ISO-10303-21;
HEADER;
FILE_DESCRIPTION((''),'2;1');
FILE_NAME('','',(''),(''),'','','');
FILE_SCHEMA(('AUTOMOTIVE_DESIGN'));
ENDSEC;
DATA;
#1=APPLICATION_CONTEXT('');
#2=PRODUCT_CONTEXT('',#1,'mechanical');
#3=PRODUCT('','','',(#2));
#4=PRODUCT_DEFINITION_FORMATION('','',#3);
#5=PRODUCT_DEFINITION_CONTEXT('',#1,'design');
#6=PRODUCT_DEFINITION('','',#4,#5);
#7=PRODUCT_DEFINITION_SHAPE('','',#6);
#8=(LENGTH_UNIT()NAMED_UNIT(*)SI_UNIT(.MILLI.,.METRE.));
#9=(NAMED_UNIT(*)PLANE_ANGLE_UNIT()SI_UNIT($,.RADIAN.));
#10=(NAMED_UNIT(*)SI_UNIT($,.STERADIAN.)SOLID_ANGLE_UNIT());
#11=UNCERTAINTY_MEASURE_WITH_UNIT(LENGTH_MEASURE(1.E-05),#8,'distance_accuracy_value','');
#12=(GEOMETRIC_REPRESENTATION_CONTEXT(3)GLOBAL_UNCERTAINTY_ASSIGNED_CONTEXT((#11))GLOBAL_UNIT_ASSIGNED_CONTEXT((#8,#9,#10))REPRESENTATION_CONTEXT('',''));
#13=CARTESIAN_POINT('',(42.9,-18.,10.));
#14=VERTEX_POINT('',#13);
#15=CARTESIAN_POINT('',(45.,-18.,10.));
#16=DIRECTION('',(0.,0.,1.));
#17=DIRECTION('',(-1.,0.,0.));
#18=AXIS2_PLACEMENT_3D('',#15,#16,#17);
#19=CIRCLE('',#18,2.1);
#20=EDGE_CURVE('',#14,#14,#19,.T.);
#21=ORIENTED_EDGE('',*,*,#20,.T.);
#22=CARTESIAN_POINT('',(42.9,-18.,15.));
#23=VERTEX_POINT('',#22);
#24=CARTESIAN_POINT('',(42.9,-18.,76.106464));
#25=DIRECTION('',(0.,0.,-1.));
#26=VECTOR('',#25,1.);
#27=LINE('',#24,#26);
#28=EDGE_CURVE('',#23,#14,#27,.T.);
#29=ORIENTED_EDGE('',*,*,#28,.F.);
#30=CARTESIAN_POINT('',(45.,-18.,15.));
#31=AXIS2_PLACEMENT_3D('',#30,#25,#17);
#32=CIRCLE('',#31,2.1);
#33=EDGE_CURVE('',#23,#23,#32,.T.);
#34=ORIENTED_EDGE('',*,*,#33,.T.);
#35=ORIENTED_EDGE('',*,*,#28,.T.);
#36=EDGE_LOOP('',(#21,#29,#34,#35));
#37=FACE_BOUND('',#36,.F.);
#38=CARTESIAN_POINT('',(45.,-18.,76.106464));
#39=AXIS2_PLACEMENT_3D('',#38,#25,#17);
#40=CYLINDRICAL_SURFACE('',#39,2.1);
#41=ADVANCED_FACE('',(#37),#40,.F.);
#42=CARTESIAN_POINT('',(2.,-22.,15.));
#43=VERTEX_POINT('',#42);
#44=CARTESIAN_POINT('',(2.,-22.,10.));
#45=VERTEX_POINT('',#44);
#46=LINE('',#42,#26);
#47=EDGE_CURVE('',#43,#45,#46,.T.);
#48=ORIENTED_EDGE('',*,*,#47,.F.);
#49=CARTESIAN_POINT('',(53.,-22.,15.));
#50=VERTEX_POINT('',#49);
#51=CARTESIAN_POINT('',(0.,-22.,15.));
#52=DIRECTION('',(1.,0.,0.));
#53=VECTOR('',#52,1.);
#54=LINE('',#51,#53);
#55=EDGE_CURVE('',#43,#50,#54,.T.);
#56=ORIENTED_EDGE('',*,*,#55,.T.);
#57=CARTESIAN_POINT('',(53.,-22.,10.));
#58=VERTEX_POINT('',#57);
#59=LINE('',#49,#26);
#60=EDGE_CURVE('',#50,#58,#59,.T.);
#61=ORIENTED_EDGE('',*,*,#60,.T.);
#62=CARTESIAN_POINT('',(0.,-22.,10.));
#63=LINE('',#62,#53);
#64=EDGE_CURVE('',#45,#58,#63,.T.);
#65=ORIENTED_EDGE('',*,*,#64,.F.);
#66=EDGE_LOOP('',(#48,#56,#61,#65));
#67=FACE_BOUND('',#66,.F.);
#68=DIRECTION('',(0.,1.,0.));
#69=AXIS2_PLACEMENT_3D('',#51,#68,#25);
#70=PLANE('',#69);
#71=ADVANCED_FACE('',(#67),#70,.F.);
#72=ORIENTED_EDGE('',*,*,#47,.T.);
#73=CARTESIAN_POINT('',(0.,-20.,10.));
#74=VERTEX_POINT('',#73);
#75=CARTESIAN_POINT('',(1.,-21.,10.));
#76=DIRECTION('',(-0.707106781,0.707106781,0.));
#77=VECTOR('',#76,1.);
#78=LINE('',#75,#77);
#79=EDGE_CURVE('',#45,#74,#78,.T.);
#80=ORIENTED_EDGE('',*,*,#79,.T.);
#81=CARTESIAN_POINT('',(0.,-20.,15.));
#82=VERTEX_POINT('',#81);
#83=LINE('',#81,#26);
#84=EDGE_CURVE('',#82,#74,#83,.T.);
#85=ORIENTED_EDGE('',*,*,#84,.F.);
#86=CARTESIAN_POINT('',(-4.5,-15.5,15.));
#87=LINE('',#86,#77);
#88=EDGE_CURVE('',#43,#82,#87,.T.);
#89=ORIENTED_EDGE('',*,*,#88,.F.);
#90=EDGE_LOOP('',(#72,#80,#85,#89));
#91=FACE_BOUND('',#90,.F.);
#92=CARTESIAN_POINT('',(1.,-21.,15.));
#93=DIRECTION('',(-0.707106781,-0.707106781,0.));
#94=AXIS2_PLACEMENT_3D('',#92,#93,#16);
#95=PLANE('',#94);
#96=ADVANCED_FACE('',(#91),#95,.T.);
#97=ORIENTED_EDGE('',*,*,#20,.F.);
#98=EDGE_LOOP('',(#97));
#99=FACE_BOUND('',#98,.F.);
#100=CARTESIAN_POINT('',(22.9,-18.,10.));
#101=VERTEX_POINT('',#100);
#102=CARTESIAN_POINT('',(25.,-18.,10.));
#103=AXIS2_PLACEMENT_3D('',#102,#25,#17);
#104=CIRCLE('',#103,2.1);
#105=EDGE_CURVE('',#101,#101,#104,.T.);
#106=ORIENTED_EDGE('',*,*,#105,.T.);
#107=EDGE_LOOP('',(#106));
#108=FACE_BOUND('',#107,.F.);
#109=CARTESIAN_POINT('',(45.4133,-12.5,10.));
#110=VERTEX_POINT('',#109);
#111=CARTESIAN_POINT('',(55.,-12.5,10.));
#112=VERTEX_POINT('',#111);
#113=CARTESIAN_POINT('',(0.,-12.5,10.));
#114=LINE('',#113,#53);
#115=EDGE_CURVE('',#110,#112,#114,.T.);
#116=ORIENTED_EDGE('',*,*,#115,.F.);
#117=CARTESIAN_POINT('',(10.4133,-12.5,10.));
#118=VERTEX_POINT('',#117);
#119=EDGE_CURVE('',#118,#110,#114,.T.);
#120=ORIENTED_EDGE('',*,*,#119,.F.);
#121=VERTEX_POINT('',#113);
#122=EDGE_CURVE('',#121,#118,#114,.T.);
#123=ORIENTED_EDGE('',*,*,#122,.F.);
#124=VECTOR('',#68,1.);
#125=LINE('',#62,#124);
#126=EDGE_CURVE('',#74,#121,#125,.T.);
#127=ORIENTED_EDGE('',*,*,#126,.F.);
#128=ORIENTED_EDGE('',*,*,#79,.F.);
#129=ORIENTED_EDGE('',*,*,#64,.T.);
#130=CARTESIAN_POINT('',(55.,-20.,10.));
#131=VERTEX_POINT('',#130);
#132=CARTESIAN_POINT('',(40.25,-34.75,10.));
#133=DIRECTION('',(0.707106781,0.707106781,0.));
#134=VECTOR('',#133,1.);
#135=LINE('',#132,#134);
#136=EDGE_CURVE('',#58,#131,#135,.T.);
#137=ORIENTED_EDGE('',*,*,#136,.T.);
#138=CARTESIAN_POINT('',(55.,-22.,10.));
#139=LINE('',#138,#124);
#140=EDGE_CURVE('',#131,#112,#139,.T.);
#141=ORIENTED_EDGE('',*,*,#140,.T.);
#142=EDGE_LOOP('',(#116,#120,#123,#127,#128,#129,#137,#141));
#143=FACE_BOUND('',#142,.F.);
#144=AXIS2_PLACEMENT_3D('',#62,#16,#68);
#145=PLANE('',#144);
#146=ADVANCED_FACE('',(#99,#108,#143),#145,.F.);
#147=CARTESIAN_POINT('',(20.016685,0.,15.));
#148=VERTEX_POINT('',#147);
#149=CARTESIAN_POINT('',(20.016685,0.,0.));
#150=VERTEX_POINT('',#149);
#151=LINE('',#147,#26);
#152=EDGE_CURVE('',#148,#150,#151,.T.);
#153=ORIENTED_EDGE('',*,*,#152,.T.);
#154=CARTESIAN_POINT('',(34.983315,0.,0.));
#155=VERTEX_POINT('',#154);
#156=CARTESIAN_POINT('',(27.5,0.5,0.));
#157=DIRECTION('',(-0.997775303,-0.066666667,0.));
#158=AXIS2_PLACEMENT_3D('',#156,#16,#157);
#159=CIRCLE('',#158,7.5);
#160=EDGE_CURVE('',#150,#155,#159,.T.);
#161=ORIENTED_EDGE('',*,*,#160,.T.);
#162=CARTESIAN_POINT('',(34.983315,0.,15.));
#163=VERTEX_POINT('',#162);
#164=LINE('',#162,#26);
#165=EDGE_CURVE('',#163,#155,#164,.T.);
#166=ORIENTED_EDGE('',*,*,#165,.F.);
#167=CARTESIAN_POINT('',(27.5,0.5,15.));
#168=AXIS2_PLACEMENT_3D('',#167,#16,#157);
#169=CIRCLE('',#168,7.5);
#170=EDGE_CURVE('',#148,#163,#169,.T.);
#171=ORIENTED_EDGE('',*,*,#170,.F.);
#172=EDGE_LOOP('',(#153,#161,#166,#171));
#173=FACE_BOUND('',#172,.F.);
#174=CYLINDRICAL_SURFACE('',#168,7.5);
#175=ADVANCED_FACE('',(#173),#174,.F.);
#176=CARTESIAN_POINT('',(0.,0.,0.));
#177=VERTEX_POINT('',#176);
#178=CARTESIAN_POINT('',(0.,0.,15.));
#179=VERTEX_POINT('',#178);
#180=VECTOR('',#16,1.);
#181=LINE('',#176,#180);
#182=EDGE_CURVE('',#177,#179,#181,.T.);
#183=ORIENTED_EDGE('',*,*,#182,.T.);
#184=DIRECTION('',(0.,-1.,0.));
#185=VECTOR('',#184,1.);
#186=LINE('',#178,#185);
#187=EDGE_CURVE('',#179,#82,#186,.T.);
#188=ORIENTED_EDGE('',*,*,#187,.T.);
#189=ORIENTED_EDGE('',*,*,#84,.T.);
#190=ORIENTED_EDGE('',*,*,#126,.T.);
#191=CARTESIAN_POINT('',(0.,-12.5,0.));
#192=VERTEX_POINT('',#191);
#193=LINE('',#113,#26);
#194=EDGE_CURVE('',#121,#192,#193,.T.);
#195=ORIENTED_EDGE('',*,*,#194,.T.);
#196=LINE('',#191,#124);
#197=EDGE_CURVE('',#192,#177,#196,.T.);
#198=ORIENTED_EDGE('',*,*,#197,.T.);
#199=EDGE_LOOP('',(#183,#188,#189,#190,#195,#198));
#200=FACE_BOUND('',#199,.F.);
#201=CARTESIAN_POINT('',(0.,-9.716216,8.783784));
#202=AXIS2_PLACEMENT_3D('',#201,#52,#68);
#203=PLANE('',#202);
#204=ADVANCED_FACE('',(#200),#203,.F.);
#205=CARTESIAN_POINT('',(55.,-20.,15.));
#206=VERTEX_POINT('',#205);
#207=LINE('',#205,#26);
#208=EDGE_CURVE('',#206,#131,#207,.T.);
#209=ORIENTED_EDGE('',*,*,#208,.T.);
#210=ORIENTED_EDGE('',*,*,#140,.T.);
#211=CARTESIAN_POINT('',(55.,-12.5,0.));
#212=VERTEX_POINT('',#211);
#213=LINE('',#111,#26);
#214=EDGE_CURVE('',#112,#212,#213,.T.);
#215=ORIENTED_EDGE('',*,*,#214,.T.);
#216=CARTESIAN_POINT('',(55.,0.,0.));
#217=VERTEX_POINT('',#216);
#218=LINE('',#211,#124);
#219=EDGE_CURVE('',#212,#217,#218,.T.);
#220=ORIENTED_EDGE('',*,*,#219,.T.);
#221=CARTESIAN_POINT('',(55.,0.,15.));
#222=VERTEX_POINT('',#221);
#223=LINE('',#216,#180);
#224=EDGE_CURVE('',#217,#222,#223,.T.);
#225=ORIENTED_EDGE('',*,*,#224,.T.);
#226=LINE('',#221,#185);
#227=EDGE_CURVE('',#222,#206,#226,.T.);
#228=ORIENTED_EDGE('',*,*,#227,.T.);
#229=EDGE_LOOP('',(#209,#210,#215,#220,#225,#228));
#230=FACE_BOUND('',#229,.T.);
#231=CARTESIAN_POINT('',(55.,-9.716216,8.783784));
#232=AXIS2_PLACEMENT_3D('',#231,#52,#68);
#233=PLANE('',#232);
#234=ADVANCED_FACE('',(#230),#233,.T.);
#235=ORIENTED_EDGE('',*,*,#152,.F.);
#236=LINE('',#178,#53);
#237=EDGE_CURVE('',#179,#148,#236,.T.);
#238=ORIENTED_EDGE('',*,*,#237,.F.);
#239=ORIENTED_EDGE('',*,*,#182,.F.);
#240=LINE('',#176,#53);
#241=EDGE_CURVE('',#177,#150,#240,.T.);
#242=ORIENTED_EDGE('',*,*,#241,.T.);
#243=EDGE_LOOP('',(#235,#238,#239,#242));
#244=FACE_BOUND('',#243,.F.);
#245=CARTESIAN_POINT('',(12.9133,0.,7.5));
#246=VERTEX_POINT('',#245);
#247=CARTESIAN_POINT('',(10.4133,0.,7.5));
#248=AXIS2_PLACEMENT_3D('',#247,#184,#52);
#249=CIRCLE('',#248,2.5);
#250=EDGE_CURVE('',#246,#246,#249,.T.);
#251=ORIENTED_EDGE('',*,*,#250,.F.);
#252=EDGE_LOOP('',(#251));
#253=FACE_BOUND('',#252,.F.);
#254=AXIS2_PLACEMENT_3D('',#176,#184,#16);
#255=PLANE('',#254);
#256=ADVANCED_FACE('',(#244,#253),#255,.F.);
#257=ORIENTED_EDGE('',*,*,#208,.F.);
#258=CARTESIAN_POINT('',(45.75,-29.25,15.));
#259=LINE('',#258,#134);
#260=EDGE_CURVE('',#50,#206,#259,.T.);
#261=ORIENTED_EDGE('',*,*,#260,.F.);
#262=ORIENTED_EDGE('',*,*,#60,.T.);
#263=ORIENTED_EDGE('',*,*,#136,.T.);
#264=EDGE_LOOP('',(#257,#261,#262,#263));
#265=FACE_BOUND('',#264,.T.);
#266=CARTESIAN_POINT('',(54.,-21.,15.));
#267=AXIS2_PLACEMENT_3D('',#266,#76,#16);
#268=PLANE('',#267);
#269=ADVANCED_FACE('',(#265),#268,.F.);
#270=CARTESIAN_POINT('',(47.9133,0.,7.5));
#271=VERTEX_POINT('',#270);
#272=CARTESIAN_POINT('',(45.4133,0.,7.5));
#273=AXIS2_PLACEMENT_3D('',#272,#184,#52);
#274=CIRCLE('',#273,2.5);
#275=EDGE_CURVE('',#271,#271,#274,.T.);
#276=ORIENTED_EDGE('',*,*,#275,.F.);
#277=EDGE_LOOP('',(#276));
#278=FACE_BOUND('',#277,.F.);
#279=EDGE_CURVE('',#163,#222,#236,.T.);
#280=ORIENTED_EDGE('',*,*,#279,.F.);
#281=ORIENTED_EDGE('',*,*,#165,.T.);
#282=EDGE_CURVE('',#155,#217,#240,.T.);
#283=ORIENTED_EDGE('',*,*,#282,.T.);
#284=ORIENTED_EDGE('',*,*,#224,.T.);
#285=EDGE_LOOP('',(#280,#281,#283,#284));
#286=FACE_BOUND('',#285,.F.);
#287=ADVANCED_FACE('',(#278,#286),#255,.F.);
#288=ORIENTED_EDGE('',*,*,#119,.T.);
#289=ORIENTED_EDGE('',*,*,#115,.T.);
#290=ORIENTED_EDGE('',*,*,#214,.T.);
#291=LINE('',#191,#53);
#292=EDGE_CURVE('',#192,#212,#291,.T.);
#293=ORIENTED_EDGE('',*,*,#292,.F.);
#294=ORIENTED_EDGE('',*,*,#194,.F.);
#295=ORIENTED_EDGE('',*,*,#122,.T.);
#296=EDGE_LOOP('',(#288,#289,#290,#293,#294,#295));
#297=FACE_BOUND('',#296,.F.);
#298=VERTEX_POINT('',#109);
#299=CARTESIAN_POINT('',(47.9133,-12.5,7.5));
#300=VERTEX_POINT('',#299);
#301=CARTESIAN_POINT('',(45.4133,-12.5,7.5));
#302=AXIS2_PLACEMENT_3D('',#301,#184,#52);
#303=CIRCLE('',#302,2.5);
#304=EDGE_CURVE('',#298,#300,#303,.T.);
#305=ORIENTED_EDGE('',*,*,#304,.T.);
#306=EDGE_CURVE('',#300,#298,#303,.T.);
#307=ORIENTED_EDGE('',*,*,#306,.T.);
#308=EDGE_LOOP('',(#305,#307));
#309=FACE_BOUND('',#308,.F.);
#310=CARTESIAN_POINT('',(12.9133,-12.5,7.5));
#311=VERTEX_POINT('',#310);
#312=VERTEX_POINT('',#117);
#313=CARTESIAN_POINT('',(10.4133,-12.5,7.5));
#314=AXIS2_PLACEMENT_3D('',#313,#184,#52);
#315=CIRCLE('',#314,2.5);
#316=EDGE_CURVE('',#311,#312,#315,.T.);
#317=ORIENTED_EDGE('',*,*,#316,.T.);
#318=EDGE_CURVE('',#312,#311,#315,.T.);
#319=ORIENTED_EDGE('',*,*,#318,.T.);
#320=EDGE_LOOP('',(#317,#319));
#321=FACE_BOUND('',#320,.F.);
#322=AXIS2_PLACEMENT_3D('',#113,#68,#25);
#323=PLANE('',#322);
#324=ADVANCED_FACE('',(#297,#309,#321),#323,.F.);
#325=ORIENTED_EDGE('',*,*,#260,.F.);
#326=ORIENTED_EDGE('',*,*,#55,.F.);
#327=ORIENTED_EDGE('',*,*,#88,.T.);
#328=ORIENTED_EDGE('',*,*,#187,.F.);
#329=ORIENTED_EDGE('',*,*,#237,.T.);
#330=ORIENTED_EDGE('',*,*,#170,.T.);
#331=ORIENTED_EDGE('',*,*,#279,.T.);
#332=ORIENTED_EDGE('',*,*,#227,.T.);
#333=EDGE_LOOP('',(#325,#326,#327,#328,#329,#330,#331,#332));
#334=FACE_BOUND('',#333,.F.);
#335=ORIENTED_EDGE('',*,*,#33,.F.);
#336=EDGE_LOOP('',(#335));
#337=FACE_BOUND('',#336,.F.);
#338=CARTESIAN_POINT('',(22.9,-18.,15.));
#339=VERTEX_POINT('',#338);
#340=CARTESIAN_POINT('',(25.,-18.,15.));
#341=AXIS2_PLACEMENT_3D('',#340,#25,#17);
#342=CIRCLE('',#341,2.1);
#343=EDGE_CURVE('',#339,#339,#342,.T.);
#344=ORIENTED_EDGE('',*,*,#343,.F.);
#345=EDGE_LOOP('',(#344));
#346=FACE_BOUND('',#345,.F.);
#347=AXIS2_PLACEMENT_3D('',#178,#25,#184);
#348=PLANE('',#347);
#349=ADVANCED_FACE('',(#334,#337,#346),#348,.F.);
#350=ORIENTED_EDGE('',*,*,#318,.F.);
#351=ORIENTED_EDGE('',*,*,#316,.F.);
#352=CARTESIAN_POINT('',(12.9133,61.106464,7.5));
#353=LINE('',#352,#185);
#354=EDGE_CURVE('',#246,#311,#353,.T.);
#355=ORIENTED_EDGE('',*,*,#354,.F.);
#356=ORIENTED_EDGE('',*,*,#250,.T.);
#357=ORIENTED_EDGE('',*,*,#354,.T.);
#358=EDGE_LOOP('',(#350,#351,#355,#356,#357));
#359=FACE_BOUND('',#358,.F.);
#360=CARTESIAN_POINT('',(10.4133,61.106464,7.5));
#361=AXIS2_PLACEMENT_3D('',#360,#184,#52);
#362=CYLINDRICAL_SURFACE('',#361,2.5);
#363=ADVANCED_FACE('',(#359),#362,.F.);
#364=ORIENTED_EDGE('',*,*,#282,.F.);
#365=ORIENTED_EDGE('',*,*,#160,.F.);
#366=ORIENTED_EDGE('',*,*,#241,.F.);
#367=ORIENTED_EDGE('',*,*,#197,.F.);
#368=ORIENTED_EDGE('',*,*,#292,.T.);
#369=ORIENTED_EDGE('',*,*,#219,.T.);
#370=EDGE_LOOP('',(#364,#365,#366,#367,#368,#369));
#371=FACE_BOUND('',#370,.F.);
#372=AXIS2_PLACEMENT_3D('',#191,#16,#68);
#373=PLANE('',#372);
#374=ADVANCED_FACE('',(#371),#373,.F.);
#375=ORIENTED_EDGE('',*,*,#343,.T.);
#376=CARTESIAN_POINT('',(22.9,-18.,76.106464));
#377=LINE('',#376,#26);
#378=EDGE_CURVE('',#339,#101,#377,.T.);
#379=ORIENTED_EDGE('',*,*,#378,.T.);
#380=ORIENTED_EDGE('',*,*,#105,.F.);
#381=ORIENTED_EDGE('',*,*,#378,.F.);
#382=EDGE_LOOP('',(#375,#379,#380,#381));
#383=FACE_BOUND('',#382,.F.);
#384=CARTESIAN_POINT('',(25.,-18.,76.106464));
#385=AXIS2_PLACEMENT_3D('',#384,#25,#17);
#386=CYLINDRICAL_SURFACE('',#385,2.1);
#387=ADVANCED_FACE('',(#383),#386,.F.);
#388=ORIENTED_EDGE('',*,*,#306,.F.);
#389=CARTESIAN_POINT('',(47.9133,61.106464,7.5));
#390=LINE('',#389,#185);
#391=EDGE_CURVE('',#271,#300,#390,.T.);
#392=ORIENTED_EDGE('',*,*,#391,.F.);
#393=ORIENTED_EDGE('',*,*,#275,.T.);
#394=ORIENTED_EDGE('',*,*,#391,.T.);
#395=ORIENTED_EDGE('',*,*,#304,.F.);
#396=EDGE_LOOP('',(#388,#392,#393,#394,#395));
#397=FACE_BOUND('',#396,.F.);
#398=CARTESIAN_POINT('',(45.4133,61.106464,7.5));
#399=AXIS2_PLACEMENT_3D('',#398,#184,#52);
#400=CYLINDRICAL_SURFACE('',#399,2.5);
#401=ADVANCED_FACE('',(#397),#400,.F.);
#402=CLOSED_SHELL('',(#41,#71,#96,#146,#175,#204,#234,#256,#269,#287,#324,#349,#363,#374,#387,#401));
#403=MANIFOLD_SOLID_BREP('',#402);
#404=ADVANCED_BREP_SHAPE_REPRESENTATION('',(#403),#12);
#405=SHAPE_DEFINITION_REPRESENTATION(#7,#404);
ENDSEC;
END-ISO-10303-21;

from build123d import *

# Parameters (mm, degrees)
F1_DEPTH = 55
F3_DEPTH = 60
F5_D     = 4.2
F7_D     = 5
F8_SIZE2 = 2
F8_SIZE  = 2


with BuildPart() as f1:
    # F0 (on Right) → F1 (new body)
    with BuildSketch(Plane.YZ):
        Polygon((-12.5, 0), (0, 0), (0, 15), (-22, 15), (-22, 10), (-12.5, 10), align=None)
    extrude(amount=F1_DEPTH)

    # F2 (on face) → F3 (cut)
    with BuildSketch(Plane.XY.offset(15)):
        with BuildLine():
            Line((34.9833147735, 0), (20.0166852265, 0))
            ThreePointArc((20.0166852265, 0), (27.5, -7), (34.9833147735, 0))
        make_face()
        with BuildLine():
            ThreePointArc((34.9833147735, 0), (34.9958275328, 0.2498608403), (35, 0.5))
            ThreePointArc((35, 0.5), (27.2498608403, 7.9958275328), (20.0166852265, 0))
            Line((20.0166852265, 0), (34.9833147735, 0))
        make_face()
    extrude(amount=-F3_DEPTH, mode=Mode.SUBTRACT)

    # F5 (through all)
    with Locations(Plane.XY.offset(15)):
        with Locations((25, -18), (45, -18)):
            Hole(F5_D / 2)

    # F7 (through all)
    with Locations(Plane(origin=(0, 0, 0), x_dir=(-1, 0, 0), z_dir=(0, 1, 0))):
        with Locations((-10.413300395, 7.5), (-45.413300395, 7.5)):
            Hole(F7_D / 2)

    # F8
    f8_edges = [f1.edges().sort_by_distance(p)[0] for p in [
        (0, -22, 12.5),
        (55, -22, 12.5),
    ]]
    chamfer(f8_edges, length=F8_SIZE, length2=F8_SIZE2)


solid = f1.part
